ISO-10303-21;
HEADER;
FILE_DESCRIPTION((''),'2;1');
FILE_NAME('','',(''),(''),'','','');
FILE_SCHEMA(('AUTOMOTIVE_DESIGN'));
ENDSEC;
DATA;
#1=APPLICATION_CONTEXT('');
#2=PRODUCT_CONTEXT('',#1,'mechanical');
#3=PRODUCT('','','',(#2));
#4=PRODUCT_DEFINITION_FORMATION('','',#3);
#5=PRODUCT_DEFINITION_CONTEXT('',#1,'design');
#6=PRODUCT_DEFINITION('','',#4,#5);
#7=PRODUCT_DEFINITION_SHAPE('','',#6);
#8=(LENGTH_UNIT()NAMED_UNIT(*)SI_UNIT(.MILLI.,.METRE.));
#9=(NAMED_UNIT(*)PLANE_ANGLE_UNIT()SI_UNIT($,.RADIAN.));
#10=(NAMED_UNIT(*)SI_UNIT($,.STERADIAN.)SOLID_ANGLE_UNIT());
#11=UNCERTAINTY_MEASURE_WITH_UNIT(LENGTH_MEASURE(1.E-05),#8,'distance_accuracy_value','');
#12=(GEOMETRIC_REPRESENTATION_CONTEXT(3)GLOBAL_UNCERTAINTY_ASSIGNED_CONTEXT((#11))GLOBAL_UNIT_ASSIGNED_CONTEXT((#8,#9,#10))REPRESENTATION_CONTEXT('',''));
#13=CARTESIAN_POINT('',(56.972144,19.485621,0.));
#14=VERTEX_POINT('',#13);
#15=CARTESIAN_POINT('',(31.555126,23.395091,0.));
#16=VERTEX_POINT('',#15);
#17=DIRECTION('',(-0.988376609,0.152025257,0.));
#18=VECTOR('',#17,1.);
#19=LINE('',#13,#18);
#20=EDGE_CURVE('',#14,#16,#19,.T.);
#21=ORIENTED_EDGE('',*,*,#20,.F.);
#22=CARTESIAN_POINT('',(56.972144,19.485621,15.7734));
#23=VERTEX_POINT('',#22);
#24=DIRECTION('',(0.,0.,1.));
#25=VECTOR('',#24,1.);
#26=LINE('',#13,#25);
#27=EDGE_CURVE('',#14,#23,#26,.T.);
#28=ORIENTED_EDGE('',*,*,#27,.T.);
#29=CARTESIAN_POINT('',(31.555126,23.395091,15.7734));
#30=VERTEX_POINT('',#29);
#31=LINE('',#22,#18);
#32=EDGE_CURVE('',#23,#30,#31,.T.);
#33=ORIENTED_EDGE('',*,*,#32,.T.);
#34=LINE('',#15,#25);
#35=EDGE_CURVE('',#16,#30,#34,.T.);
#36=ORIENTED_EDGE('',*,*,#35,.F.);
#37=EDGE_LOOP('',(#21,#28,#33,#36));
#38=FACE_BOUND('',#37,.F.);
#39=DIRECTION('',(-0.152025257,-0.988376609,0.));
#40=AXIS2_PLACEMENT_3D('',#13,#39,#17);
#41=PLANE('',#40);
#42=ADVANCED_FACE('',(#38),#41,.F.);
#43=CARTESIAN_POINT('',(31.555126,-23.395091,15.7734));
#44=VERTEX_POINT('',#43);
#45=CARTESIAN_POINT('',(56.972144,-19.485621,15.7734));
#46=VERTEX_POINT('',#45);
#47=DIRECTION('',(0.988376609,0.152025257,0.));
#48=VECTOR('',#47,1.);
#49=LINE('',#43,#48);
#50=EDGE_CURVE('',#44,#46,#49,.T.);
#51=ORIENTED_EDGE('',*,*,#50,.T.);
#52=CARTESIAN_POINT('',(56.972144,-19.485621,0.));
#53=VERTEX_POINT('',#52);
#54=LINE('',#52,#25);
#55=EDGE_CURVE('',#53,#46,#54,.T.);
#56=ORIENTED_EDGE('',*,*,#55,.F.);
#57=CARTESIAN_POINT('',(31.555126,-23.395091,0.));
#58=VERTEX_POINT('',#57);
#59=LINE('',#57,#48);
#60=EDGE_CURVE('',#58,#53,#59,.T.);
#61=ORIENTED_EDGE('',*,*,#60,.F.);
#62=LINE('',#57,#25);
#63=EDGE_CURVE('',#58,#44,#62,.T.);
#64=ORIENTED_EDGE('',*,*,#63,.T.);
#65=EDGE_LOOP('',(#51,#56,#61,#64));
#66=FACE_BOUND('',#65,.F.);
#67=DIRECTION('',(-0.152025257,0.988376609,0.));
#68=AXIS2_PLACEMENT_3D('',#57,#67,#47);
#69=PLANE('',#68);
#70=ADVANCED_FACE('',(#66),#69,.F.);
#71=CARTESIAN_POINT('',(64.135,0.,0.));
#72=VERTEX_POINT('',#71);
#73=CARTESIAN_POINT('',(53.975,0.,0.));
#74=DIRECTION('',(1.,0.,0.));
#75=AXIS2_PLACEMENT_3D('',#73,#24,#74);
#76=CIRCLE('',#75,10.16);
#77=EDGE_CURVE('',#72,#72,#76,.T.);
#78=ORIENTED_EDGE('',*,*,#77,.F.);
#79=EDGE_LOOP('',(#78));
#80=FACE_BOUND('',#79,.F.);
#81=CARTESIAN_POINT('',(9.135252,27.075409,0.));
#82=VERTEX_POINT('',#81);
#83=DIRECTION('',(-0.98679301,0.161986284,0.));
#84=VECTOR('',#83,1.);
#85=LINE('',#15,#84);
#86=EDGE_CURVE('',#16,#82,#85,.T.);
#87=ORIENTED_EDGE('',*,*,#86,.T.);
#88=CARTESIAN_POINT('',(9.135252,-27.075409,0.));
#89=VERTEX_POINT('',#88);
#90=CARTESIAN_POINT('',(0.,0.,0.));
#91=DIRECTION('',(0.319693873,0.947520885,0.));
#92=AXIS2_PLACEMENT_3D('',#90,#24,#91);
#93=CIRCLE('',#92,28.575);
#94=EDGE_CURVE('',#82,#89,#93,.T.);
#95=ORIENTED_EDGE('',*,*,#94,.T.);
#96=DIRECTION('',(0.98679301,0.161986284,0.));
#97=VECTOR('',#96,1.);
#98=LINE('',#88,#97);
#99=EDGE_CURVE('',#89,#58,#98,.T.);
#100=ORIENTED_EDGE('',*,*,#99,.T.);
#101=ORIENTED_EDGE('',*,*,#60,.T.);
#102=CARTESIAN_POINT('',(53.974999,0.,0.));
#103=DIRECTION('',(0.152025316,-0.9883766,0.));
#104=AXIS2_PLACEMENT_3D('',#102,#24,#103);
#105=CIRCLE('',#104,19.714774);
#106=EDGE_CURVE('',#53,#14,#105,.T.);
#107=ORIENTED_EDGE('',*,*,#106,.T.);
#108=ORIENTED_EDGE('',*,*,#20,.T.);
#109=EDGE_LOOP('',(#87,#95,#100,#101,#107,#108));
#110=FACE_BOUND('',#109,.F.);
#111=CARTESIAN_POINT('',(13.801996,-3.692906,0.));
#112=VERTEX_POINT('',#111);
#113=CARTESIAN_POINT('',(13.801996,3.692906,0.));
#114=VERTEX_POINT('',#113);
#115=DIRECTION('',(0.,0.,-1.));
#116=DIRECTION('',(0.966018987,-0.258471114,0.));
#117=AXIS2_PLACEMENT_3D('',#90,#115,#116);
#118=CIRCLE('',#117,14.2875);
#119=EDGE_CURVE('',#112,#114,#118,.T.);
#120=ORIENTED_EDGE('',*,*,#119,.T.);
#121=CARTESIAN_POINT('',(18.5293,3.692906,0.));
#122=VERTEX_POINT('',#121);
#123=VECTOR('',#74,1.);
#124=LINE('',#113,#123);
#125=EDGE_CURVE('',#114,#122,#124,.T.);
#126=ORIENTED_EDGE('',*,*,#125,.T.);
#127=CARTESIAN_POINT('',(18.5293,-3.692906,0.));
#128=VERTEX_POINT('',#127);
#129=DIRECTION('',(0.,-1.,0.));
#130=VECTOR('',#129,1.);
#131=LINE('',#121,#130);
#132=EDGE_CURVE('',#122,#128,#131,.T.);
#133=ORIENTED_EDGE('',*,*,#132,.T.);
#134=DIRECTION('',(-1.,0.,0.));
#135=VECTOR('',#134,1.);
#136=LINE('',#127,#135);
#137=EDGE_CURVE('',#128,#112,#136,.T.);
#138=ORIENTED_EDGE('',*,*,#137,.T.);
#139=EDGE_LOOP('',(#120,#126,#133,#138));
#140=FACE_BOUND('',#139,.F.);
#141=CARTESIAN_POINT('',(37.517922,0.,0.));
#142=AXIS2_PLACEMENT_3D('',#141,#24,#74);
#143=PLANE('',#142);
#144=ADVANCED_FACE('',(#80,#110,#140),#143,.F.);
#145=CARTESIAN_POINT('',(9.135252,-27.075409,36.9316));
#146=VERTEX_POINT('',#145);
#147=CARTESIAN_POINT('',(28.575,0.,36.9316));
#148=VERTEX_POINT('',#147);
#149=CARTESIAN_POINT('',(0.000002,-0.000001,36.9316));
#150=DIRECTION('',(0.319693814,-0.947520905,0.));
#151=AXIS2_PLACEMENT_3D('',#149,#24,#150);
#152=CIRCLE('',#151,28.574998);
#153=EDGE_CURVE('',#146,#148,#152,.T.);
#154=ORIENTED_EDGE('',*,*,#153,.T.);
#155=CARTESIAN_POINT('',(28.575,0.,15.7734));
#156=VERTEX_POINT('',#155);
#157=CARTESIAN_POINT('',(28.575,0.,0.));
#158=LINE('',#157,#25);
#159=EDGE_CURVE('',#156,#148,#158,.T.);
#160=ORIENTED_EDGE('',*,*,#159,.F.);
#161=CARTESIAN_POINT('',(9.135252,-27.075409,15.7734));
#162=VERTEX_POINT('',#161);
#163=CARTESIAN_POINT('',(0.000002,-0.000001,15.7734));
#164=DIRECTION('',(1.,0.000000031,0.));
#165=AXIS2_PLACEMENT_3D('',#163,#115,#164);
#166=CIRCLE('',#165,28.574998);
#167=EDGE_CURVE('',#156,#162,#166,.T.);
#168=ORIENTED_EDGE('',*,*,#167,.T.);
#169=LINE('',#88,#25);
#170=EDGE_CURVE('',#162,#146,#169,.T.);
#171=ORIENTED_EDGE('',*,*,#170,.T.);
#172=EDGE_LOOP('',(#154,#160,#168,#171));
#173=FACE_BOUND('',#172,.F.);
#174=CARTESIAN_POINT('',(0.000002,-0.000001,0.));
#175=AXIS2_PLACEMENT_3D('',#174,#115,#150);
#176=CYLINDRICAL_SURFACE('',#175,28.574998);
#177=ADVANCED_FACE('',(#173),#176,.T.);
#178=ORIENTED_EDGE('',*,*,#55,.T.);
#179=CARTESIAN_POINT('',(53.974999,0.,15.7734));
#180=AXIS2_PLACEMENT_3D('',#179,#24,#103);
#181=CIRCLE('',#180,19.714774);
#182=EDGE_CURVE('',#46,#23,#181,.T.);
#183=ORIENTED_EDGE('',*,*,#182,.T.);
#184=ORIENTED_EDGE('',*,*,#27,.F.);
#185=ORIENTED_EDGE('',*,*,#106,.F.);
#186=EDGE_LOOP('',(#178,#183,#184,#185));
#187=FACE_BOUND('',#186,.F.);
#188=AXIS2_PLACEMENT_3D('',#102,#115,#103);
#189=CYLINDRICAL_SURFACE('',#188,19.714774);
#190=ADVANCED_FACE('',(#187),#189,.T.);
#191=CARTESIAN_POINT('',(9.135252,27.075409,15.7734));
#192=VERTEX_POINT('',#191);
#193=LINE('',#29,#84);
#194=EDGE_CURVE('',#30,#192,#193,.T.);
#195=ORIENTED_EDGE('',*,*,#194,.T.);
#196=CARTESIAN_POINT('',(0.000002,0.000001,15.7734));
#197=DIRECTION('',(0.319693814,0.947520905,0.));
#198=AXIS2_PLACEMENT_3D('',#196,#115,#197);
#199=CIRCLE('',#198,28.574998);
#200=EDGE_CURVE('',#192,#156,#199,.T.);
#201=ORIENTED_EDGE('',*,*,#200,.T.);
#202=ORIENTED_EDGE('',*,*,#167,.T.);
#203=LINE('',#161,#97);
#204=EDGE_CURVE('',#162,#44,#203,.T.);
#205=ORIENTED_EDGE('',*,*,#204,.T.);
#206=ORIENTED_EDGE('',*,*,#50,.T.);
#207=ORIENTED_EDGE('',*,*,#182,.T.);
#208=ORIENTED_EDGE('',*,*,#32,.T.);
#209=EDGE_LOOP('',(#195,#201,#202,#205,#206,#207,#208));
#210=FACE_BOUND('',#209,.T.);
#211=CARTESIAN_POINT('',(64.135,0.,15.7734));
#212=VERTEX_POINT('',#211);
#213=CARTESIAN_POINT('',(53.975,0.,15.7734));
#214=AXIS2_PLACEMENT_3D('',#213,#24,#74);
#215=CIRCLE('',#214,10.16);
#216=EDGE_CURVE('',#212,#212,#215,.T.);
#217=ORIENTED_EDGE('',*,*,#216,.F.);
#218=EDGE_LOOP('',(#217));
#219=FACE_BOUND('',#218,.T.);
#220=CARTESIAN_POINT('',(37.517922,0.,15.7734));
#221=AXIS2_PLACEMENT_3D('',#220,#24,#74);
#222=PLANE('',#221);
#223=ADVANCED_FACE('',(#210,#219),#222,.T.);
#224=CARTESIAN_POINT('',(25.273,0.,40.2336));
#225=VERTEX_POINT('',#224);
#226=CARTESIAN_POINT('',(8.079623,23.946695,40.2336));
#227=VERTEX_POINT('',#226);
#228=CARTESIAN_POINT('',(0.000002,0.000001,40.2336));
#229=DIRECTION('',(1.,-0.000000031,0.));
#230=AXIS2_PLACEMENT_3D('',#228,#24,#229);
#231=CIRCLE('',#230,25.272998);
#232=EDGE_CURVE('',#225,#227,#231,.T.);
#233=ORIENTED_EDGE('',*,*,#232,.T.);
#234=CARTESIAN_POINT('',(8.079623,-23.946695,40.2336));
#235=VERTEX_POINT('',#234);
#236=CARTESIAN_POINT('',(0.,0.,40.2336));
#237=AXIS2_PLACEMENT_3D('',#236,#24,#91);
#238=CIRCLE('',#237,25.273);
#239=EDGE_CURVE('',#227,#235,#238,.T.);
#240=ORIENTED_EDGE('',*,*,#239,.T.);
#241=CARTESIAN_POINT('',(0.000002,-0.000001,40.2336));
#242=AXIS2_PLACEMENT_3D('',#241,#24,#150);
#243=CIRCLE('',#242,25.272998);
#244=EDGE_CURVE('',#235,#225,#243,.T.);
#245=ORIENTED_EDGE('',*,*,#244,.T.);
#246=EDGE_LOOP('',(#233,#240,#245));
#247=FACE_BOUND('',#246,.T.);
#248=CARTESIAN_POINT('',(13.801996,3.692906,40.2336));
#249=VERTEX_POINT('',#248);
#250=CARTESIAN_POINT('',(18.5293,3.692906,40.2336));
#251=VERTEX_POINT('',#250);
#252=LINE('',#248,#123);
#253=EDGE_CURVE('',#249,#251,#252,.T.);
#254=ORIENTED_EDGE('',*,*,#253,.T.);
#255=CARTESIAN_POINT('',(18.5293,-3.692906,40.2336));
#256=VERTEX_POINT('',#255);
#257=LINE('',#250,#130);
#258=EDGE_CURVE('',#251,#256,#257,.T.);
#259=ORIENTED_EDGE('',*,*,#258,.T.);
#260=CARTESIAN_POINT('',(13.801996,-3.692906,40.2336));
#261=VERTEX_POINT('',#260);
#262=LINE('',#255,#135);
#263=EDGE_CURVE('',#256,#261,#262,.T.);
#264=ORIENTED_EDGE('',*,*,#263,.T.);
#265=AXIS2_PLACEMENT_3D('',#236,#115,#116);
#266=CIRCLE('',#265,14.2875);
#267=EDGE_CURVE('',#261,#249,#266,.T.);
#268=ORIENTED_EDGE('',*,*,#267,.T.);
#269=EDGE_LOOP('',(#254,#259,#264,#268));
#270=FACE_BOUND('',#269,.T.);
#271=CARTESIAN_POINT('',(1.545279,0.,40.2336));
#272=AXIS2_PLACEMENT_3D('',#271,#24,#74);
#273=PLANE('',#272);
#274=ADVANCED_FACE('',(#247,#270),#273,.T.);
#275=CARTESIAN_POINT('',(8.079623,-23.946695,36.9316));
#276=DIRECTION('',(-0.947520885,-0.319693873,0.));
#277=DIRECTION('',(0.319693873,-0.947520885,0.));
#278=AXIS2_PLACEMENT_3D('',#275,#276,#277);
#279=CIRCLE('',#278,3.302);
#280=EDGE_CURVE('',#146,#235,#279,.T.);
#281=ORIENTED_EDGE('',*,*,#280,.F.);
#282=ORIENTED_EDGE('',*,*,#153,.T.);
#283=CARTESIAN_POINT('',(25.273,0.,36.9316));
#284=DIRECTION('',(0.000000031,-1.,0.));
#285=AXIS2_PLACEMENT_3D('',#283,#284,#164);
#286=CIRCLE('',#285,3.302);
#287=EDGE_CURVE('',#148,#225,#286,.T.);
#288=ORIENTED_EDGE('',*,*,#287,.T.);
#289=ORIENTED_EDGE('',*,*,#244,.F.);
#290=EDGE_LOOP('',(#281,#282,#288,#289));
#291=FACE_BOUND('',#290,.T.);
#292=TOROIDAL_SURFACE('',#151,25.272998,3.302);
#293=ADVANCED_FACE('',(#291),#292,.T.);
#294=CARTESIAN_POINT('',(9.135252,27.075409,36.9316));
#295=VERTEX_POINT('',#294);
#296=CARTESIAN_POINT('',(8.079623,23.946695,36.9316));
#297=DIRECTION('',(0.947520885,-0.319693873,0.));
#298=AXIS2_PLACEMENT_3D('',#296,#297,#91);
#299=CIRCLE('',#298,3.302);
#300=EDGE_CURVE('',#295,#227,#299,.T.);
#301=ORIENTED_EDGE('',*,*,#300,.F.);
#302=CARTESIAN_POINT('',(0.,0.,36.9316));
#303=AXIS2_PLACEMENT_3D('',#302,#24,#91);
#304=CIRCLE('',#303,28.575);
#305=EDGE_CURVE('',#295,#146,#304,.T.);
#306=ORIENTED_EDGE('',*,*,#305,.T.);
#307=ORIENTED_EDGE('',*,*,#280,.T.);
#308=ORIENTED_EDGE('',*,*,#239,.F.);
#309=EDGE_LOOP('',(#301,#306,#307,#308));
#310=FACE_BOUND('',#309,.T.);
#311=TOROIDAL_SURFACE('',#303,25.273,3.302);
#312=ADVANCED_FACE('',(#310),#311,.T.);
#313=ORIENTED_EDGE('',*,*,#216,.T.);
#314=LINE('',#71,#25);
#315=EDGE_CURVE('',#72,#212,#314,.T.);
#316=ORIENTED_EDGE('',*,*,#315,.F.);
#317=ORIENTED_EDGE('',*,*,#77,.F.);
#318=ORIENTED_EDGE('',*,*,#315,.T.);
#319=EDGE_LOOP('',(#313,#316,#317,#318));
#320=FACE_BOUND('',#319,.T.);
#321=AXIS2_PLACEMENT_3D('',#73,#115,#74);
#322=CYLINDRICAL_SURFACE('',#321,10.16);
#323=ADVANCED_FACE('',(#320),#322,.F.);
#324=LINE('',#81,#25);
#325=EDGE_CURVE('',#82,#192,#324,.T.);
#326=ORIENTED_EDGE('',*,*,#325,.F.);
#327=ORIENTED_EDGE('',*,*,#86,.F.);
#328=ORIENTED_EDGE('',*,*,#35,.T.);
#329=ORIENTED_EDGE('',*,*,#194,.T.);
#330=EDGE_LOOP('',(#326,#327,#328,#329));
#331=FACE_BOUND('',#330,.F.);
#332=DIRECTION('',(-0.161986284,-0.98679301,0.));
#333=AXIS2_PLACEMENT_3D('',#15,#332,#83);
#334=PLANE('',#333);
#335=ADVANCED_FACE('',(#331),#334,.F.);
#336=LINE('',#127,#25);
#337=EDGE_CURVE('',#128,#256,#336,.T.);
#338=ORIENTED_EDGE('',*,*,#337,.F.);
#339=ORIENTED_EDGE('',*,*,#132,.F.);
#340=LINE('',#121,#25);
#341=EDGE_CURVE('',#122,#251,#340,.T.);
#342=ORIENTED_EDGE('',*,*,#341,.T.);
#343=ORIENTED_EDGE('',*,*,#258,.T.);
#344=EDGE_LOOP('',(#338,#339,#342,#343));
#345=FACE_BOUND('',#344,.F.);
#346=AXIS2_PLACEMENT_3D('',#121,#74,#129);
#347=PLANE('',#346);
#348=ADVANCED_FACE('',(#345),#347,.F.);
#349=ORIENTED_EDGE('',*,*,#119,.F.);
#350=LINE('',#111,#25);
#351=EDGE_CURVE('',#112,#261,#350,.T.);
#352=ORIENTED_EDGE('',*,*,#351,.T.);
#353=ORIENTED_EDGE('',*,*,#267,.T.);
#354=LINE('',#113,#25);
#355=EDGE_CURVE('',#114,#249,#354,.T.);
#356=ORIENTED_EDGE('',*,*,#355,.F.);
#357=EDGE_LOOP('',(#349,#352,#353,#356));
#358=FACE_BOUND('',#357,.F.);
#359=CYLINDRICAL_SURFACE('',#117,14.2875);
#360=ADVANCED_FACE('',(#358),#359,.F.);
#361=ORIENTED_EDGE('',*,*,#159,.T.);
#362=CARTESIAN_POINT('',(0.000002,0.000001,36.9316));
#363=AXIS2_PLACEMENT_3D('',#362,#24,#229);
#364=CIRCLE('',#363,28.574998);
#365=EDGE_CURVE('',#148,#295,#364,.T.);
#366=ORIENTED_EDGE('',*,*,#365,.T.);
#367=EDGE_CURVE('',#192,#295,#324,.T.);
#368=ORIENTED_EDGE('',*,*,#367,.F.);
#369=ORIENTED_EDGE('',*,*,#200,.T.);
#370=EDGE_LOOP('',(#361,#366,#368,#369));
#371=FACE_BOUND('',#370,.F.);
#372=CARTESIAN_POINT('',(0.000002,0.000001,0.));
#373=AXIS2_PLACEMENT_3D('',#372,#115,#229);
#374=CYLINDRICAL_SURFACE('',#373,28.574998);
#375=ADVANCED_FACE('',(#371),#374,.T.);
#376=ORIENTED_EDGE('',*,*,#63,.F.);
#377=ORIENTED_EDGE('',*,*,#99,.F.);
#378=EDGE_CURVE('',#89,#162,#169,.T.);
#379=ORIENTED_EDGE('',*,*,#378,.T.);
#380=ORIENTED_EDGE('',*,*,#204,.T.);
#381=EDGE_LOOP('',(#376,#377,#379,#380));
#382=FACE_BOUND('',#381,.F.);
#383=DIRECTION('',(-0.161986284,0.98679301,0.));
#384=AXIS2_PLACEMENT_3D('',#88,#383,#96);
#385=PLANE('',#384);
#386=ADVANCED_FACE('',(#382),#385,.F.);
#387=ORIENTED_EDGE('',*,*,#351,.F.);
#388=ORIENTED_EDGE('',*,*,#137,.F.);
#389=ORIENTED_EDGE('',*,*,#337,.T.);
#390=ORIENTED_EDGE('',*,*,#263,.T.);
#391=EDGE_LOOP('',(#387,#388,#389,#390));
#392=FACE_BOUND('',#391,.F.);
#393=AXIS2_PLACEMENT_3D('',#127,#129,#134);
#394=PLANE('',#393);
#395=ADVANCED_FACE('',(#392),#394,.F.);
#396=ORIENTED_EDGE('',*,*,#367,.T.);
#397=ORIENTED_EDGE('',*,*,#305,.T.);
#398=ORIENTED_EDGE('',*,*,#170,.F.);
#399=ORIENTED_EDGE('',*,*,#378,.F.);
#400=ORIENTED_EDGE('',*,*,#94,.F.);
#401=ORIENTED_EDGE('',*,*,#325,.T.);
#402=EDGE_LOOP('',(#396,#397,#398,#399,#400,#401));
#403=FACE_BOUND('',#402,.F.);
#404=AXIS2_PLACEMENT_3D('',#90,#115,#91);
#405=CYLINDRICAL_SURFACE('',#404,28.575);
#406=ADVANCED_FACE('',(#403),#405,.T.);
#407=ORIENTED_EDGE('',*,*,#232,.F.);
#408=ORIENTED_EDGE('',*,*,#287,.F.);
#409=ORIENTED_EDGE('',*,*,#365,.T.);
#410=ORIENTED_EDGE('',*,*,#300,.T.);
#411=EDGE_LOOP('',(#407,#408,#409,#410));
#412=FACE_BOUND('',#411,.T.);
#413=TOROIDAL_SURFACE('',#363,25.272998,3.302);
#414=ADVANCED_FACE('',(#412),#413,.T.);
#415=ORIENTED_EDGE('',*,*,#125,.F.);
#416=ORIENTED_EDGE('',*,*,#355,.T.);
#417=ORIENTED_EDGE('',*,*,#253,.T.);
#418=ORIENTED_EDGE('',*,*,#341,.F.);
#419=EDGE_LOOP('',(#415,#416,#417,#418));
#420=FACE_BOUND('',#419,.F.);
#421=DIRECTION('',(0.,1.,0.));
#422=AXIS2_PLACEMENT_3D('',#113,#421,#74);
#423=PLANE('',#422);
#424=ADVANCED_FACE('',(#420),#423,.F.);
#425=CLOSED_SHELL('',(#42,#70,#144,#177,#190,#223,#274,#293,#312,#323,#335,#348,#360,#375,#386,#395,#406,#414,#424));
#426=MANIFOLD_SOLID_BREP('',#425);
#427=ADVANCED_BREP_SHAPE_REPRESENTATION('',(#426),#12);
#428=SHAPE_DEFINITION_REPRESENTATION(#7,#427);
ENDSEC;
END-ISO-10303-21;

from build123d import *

# Parameters (mm, degrees)
F1_DEPTH = 40.2336
F0_R     = 10.16
F2_DEPTH = 15.7734
F3_R     = 3.302


with BuildPart() as f1:
    # F0 (on Top) → F1 (new body)
    with BuildSketch(Plane.XY):
        with BuildLine():
            ThreePointArc((9.135252, -27.075409), (23.211748, -16.665695), (28.575, 0))
            ThreePointArc((28.575, 0), (23.211748, 16.665695), (9.135252, 27.075409))
            ThreePointArc((9.135252, 27.075409), (-28.575, 0), (9.135252, -27.075409))
        make_face()
        with BuildLine():
            ThreePointArc((13.801996, -3.692906), (-14.2875, 0), (13.801996, 3.692906))
            Line((13.801996, 3.692906), (18.5293, 3.692906))
            Line((18.5293, 3.692906), (18.5293, -3.692906))
            Line((18.5293, -3.692906), (13.801996, -3.692906))
        make_face(mode=Mode.SUBTRACT)
    extrude(amount=F1_DEPTH)

    # F0 (on Top) → F2 (join)
    with BuildSketch(Plane.XY):
        with BuildLine():
            ThreePointArc((9.135252, 27.075409), (23.211748, 16.665695), (28.575, 0))
            ThreePointArc((28.575, 0), (23.211748, -16.665695), (9.135252, -27.075409))
            Line((9.135252, -27.075409), (31.555126, -23.395091))
            Line((31.555126, -23.395091), (56.972144, -19.485621))
            ThreePointArc((56.972144, -19.485621), (73.689773, 0), (56.972144, 19.485621))
            Line((56.972144, 19.485621), (31.555126, 23.395091))
            Line((31.555126, 23.395091), (9.135252, 27.075409))
        make_face()
        with Locations((53.975, 0)):
            Circle(F0_R, mode=Mode.SUBTRACT)
    extrude(amount=F2_DEPTH)

    # F3
    f3_edges = [f1.edges().sort_by_distance(p)[0] for p in [
        (-9.135252, 27.075409, 40.2336),
    ]]
    fillet(f3_edges, radius=F3_R)


solid = f1.part
